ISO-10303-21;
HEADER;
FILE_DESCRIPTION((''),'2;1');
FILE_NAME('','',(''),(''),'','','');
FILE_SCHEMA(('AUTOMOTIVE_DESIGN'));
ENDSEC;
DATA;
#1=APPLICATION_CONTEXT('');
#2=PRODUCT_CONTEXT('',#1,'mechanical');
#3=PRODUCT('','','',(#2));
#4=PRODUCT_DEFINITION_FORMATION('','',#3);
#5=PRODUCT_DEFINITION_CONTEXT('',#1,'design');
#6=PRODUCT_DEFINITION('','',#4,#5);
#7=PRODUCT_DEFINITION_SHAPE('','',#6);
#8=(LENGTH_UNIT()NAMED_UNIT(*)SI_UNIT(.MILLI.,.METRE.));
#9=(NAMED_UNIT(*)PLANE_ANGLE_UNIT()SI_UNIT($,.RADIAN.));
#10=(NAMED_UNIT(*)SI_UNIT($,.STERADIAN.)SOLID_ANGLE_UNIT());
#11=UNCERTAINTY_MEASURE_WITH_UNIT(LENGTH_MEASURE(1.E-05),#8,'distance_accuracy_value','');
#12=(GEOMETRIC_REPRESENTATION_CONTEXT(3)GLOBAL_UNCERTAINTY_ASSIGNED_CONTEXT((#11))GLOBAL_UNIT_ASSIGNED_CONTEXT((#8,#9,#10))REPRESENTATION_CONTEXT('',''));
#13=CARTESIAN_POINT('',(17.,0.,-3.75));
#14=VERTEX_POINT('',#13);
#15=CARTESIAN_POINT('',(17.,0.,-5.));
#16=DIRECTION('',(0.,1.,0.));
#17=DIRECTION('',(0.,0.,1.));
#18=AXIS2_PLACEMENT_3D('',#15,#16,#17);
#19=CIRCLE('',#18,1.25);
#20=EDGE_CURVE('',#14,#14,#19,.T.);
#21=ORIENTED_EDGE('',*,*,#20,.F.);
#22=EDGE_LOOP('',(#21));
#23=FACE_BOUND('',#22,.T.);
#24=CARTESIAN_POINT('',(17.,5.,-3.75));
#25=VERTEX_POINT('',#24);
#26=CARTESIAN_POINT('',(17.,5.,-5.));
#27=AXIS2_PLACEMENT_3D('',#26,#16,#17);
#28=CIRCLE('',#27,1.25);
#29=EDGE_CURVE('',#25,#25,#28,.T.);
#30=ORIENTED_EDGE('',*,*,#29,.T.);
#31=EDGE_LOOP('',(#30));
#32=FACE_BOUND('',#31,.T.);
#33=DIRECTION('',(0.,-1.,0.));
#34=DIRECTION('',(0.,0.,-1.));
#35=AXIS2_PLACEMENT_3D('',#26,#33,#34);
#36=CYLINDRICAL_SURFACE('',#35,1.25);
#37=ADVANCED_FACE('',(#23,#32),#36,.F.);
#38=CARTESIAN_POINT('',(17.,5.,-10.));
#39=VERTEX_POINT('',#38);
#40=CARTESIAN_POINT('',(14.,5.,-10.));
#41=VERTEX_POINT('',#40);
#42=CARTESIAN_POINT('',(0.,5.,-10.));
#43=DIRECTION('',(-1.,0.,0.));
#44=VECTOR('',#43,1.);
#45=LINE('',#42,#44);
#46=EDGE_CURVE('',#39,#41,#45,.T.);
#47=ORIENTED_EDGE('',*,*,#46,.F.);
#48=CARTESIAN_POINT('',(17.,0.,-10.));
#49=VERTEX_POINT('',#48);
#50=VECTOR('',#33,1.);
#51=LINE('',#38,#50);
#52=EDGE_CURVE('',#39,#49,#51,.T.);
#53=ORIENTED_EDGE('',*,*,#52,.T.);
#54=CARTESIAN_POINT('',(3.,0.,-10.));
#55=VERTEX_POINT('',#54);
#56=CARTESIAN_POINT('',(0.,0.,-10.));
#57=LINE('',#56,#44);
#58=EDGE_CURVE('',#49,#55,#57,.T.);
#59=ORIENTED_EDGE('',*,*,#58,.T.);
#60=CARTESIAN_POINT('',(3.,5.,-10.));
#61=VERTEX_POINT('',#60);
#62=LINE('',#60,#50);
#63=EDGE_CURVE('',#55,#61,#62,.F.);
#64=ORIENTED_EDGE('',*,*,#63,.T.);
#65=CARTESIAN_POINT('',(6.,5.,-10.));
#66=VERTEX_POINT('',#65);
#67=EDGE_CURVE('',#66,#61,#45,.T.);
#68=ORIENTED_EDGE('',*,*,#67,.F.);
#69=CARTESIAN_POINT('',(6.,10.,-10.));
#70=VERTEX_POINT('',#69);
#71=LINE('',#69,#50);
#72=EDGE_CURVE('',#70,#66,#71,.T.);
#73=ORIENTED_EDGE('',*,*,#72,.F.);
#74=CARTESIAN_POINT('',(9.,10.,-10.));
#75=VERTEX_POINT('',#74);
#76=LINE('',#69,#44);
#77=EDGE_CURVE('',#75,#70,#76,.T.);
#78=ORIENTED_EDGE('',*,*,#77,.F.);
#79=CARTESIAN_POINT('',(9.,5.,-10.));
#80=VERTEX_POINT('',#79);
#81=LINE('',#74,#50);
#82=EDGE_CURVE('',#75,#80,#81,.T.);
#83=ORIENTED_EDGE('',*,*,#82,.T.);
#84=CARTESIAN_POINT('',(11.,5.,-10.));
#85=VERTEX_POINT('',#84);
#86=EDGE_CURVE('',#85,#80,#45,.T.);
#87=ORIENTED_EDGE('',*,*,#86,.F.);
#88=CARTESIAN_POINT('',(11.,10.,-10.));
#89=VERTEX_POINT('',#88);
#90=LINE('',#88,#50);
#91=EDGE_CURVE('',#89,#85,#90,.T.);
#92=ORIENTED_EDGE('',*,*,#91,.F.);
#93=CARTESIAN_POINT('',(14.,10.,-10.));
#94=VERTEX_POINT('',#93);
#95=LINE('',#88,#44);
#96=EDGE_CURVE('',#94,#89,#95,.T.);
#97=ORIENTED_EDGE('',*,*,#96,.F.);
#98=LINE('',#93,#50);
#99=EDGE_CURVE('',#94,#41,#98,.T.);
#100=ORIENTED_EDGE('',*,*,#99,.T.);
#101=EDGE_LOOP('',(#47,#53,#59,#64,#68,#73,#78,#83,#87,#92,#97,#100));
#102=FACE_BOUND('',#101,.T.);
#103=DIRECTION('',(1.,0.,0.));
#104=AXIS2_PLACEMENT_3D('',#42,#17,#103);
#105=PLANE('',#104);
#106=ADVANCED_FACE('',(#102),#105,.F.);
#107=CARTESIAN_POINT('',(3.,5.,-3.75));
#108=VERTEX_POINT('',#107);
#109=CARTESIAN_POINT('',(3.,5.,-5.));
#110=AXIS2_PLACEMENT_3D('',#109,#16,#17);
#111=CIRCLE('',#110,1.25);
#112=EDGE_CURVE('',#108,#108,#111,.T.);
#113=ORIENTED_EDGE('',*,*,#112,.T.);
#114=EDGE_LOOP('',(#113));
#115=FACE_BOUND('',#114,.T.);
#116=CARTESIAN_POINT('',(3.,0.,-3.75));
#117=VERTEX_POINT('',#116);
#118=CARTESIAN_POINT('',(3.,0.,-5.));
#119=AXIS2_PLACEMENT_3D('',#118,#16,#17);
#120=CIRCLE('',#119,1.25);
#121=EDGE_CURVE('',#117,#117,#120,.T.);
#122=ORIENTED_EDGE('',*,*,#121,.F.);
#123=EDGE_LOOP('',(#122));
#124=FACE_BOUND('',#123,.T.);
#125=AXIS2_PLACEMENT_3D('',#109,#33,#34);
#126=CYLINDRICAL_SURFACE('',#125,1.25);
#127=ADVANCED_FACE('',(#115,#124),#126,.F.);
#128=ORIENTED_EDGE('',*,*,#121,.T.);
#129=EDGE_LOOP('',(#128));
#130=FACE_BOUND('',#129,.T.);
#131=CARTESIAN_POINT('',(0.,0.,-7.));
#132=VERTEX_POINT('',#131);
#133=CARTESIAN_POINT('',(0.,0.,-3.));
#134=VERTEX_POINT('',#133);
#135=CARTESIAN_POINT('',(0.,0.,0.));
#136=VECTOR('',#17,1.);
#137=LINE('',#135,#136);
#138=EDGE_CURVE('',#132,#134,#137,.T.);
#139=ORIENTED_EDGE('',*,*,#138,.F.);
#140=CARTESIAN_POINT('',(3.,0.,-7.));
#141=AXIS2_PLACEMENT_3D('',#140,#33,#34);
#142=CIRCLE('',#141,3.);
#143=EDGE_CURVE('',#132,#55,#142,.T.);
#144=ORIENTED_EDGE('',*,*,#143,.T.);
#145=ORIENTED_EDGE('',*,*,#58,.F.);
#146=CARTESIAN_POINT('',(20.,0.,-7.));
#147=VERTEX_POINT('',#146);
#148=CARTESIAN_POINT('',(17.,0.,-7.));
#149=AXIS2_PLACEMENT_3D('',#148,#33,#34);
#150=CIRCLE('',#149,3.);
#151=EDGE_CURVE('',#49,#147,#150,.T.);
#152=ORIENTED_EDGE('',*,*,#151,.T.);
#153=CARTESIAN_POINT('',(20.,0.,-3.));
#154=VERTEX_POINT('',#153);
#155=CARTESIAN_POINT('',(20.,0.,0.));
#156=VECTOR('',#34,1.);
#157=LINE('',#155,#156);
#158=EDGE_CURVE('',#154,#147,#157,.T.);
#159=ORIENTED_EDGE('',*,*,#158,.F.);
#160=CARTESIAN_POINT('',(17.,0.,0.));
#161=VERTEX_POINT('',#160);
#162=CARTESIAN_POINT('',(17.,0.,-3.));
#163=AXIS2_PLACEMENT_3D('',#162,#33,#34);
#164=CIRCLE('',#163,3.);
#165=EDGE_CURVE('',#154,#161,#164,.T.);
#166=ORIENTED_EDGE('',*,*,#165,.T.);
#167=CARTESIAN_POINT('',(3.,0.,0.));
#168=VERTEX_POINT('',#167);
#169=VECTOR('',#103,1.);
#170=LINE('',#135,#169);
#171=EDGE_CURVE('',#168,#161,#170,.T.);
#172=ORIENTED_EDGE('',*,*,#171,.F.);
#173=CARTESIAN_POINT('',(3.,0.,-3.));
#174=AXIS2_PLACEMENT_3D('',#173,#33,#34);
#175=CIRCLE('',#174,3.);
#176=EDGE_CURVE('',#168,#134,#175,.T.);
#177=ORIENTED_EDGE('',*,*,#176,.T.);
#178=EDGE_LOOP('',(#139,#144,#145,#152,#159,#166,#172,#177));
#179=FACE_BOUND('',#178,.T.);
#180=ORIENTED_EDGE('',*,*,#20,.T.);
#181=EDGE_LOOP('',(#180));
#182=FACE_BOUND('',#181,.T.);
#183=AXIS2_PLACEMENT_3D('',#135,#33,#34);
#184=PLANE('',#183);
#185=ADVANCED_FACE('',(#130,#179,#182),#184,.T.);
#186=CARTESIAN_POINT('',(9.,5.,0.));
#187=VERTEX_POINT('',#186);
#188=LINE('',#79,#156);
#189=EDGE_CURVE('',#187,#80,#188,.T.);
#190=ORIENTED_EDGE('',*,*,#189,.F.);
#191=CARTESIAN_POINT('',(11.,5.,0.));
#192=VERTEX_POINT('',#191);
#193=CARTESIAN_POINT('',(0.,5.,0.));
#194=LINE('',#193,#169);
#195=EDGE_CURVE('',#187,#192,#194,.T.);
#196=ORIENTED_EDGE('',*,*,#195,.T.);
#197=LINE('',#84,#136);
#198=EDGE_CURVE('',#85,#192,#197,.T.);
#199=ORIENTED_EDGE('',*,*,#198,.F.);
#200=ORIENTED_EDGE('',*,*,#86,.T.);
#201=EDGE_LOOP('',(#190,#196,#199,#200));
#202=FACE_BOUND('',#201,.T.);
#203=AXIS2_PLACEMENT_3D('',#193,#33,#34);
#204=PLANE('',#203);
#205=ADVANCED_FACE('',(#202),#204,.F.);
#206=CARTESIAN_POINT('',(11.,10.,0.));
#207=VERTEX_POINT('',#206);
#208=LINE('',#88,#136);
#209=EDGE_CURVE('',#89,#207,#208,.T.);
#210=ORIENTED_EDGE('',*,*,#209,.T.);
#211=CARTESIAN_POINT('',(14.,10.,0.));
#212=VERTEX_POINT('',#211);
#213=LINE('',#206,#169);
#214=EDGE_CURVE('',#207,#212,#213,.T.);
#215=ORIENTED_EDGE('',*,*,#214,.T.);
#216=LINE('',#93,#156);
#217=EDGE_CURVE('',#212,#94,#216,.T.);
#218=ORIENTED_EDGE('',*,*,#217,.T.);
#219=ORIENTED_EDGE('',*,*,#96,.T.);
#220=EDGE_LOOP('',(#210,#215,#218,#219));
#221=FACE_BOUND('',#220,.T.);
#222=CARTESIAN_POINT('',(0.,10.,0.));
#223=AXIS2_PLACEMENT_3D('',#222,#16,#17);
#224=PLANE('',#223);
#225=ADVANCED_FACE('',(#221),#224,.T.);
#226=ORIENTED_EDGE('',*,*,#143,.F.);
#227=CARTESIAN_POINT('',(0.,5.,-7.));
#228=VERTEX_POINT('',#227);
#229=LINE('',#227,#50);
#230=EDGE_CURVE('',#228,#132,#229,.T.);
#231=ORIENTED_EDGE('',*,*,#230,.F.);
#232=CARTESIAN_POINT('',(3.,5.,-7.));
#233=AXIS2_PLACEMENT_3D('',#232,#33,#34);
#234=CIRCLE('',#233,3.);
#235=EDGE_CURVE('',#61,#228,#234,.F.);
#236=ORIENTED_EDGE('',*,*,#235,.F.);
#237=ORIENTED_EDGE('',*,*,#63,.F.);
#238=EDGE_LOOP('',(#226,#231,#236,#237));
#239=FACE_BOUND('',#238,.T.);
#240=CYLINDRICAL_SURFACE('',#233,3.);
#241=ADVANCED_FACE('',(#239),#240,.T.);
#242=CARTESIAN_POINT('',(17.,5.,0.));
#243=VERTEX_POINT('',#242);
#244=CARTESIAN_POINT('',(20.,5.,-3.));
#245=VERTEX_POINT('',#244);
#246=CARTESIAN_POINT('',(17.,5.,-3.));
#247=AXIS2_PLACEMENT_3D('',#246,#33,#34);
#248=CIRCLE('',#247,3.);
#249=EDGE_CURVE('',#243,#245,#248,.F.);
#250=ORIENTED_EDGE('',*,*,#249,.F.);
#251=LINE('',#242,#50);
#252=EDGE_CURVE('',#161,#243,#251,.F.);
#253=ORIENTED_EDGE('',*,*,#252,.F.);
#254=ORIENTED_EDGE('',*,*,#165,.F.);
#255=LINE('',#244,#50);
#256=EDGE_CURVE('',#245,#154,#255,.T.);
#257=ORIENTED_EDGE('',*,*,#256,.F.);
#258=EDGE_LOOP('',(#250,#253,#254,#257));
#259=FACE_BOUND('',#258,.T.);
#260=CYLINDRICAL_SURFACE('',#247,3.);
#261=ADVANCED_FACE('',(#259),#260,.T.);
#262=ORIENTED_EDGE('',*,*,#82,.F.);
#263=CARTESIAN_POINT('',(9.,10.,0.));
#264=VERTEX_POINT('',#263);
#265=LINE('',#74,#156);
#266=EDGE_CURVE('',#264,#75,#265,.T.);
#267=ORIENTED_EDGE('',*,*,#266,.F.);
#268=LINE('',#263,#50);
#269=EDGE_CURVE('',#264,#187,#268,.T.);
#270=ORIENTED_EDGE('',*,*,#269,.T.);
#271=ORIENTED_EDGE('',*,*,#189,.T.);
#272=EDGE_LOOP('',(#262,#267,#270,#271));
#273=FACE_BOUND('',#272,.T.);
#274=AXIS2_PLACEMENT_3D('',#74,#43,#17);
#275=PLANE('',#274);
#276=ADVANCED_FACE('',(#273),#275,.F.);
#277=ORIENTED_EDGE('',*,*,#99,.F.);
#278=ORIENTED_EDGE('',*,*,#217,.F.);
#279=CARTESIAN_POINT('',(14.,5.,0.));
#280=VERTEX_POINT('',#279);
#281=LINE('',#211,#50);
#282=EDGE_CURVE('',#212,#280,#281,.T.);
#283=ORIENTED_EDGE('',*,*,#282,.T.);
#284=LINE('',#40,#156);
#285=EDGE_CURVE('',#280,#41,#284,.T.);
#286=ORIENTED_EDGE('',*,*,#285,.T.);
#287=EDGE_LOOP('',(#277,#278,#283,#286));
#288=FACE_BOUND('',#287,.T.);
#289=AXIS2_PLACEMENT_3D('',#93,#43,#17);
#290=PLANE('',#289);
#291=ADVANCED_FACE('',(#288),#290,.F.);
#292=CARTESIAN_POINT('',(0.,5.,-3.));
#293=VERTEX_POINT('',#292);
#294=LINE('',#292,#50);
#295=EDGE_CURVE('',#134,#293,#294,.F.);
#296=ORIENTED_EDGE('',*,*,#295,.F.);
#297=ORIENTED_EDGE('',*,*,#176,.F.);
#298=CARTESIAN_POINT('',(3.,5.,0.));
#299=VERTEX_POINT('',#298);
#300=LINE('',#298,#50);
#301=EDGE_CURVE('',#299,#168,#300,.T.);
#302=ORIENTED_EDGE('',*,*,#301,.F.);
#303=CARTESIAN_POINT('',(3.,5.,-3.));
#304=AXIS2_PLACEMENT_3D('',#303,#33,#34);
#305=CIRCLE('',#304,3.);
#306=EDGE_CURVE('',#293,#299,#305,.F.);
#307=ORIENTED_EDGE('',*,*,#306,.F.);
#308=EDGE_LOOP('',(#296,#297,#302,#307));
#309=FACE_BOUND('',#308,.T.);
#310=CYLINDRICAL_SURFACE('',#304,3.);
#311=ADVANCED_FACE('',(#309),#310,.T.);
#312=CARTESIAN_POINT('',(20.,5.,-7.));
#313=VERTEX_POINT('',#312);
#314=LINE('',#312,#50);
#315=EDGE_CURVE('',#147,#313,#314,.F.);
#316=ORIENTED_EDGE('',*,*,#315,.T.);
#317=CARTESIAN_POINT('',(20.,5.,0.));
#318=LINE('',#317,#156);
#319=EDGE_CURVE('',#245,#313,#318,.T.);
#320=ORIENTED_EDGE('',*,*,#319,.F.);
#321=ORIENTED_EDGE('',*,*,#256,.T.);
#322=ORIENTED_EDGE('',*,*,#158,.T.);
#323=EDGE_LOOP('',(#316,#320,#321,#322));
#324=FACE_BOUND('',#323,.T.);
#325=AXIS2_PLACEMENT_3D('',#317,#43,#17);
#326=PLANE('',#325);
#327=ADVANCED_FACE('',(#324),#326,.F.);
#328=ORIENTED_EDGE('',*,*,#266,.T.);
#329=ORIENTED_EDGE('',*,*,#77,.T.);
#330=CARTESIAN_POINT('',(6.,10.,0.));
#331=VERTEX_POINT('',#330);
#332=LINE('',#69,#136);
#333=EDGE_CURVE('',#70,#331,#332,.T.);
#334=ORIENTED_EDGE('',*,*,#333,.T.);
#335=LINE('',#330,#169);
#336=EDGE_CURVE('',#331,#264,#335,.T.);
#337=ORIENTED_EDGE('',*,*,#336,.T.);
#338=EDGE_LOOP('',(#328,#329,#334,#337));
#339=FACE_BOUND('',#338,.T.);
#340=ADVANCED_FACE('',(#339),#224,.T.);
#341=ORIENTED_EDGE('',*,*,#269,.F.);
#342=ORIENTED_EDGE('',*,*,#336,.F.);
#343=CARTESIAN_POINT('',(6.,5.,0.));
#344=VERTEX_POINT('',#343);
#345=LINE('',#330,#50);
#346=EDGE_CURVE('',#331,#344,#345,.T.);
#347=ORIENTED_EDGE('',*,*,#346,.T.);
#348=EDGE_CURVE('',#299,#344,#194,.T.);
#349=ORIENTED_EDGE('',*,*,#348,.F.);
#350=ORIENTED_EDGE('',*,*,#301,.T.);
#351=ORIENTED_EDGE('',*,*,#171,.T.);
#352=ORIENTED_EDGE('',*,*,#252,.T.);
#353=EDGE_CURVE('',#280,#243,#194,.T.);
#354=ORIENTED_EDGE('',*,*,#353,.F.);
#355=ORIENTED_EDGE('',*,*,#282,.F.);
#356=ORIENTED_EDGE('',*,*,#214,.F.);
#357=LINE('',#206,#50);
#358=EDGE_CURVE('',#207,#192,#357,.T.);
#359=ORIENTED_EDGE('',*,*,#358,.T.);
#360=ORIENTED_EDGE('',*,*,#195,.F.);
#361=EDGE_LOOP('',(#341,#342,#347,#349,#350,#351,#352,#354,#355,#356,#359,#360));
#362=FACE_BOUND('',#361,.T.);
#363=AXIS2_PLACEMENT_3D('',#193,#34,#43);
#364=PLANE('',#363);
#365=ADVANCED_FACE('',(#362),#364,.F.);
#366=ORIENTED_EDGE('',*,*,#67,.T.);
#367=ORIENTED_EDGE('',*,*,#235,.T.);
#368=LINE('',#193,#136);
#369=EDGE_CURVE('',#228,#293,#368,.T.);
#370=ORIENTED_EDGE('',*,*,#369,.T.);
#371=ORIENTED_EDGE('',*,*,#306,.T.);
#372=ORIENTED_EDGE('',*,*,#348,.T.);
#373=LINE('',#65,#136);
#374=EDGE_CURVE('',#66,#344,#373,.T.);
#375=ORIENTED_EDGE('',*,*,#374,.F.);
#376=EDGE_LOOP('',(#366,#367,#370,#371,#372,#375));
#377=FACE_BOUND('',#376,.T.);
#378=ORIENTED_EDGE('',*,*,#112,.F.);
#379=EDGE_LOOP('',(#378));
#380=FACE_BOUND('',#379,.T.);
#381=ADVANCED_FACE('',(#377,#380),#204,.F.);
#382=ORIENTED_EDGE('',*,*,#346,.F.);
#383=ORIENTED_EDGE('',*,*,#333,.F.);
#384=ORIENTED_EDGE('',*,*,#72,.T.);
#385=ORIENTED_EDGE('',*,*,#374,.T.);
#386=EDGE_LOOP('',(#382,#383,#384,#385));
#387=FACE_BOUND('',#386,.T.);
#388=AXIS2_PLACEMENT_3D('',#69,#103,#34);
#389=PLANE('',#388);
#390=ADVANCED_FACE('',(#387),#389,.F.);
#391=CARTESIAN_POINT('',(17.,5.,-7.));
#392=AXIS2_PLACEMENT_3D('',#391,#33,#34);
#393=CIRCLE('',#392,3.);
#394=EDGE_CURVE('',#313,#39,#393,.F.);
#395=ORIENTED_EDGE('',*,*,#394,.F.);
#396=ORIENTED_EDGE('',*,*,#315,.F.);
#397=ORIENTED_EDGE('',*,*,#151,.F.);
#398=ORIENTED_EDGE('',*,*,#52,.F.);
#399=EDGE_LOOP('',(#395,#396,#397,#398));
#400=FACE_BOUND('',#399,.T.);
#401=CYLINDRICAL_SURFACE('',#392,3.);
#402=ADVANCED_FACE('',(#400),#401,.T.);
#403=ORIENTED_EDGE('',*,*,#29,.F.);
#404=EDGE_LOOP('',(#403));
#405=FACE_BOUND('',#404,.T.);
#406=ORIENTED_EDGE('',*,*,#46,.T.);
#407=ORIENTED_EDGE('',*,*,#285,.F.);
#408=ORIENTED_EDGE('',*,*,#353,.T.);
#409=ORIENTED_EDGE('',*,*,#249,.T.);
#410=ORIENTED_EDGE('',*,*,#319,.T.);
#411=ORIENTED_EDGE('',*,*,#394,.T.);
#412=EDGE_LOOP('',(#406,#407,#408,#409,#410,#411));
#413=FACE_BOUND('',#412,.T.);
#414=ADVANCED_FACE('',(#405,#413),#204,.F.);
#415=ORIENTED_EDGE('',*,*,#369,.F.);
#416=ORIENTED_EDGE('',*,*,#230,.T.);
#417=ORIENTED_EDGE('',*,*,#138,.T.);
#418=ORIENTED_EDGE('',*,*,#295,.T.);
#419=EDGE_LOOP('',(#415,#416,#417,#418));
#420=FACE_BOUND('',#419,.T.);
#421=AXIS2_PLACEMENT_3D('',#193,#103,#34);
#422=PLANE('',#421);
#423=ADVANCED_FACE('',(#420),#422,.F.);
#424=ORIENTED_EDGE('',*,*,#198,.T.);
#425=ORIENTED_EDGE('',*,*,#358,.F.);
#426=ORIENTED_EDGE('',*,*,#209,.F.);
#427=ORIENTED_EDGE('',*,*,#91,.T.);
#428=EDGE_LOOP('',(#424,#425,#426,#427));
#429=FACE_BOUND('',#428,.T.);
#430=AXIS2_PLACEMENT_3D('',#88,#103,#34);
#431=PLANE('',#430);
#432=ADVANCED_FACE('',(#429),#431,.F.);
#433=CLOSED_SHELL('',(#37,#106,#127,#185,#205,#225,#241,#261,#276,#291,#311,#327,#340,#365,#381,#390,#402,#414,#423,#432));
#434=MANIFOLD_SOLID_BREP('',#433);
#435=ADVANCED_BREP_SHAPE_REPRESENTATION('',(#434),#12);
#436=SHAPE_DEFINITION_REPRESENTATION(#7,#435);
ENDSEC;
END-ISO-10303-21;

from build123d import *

# Parameters (mm, degrees)
SKETCH1_W           = 20
SKETCH1_H           = 10
SKETCH1_R           = 1.25
BOSS_EXTRUDE1_DEPTH = 5
SKETCH2_W           = 3
SKETCH2_H           = 10
BOSS_EXTRUDE2_DEPTH = 5
FILLET1_R           = 3


with BuildPart() as part:
    # Sketch1 → Boss-Extrude1 (new body)
    with BuildSketch(Plane(origin=(0, 0, 0), x_dir=(1, 0, 0), z_dir=(0, 1, 0))):
        with Locations((10, 5)):
            Rectangle(SKETCH1_W, SKETCH1_H)
        with Locations((3, 5)):
            Circle(SKETCH1_R, mode=Mode.SUBTRACT)
        with Locations((17, 5)):
            Circle(SKETCH1_R, mode=Mode.SUBTRACT)
    extrude(amount=BOSS_EXTRUDE1_DEPTH)

    # Sketch2 → Boss-Extrude2 (add)
    with BuildSketch(Plane(origin=(0, 5, 0), x_dir=(1, 0, 0), z_dir=(0, 1, 0))):
        with Locations((7.5, 5)):
            Rectangle(SKETCH2_W, SKETCH2_H)
        with Locations((12.5, 5)):
            Rectangle(SKETCH2_W, SKETCH2_H)
    extrude(amount=BOSS_EXTRUDE2_DEPTH)

    # Fillet1
    fillet1_edges = [part.edges().sort_by_distance(p)[0] for p in [
        (0, 2.5, -10),
        (20, 2.5, -10),
        (0, 2.5, 0),
        (20, 2.5, 0),
    ]]
    fillet(fillet1_edges, radius=FILLET1_R)


solid = part.part
